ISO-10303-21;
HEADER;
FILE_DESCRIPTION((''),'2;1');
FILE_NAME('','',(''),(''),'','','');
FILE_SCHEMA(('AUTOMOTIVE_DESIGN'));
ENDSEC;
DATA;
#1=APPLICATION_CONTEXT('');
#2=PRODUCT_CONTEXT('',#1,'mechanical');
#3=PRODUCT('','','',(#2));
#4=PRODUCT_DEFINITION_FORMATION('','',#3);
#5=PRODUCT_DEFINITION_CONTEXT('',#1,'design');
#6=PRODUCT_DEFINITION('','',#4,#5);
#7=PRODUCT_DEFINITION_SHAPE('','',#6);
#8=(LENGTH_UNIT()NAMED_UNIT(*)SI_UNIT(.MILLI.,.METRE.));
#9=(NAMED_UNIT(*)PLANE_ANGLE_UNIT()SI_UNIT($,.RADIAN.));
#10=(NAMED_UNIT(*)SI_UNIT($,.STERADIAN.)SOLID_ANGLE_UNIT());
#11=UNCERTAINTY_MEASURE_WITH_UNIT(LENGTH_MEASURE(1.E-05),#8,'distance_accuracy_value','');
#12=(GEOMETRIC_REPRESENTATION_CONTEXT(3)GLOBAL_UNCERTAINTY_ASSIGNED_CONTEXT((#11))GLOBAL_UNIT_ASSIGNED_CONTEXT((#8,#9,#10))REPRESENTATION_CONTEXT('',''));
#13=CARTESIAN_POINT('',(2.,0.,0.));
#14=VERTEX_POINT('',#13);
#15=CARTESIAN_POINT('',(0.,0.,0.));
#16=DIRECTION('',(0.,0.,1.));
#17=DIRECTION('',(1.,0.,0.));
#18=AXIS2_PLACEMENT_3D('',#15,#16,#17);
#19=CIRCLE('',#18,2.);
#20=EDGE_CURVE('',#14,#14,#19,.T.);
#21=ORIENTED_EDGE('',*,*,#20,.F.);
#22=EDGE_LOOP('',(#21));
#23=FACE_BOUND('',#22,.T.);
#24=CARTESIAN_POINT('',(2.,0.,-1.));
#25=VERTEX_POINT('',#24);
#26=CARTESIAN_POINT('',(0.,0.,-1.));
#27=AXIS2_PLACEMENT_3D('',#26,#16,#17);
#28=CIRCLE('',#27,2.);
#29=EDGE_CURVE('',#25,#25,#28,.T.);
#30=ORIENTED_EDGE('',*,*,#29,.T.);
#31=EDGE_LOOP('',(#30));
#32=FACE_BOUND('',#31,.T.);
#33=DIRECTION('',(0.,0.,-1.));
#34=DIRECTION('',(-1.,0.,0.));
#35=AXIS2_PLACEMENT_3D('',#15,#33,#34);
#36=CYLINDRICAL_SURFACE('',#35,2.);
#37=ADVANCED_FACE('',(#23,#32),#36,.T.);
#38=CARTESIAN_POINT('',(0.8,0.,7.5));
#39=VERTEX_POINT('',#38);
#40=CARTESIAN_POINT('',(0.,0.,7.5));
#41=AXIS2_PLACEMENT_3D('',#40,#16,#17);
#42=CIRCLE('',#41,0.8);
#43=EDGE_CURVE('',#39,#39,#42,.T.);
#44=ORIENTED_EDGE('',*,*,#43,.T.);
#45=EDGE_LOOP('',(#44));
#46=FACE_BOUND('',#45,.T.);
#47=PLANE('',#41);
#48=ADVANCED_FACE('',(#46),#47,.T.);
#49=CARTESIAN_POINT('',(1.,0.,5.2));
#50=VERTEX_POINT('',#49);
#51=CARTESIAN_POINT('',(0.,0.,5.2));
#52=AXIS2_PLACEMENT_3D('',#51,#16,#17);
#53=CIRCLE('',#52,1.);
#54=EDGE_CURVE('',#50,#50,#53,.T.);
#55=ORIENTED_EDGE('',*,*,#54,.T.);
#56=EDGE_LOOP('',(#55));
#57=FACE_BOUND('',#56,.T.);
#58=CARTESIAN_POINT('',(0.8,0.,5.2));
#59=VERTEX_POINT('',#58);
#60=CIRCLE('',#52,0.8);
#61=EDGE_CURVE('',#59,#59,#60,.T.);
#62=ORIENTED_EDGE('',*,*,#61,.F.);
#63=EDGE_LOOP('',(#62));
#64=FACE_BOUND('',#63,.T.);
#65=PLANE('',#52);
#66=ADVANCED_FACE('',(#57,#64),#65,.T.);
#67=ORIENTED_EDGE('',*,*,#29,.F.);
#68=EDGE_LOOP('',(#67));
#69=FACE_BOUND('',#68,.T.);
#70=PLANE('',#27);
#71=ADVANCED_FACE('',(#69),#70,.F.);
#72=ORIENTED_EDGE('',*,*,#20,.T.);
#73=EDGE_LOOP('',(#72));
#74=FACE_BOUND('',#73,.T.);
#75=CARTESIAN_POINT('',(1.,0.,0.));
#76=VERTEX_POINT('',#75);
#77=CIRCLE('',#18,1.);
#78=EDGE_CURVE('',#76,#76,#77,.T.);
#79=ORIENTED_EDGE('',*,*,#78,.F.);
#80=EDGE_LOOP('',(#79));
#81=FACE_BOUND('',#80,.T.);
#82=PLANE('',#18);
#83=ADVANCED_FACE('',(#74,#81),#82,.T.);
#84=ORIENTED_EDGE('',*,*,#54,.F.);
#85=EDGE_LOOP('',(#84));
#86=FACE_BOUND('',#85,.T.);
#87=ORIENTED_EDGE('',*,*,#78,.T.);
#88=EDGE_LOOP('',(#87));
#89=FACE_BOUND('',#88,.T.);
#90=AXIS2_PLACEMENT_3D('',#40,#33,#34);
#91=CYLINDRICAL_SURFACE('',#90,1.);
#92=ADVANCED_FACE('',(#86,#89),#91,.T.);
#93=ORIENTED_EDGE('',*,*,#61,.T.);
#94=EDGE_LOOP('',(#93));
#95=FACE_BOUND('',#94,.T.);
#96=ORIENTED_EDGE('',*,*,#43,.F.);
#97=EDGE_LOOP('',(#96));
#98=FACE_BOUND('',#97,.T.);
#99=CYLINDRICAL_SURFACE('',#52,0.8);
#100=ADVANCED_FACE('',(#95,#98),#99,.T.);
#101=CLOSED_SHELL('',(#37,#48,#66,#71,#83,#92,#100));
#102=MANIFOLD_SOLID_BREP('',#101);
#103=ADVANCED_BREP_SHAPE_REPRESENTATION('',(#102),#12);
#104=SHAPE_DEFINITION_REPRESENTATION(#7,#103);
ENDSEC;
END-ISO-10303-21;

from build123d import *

# Parameters (mm, degrees)
REFERENCE_HEAD_START           = -1
SKETCH1_R                      = 2
REFERENCE_HEAD_DEPTH           = 1
SKETCH2_R                      = 1
REFERENCE_SHANK_DEPTH          = 7.5
SKETCH3_R                      = 1.01
SKETCH3_R_2                    = 0.8
M1P6_END_THREAD_ENVELOPE_DEPTH = 2.3


with BuildPart() as part:
    # Sketch1 → Reference_Head (new body)
    with BuildSketch(Plane.XY.offset(REFERENCE_HEAD_START)):
        Circle(SKETCH1_R)
    extrude(amount=REFERENCE_HEAD_DEPTH)

    # Sketch2 → Reference_Shank (add)
    with BuildSketch(Plane.XY):
        Circle(SKETCH2_R)
    extrude(amount=REFERENCE_SHANK_DEPTH)

    # Sketch3 → M1p6_End_Thread_Envelope (cut)
    with BuildSketch(Plane.XY.offset(7.5)):
        Circle(SKETCH3_R)
        Circle(SKETCH3_R_2, mode=Mode.SUBTRACT)
    extrude(amount=-M1P6_END_THREAD_ENVELOPE_DEPTH, mode=Mode.SUBTRACT)


solid = part.part
